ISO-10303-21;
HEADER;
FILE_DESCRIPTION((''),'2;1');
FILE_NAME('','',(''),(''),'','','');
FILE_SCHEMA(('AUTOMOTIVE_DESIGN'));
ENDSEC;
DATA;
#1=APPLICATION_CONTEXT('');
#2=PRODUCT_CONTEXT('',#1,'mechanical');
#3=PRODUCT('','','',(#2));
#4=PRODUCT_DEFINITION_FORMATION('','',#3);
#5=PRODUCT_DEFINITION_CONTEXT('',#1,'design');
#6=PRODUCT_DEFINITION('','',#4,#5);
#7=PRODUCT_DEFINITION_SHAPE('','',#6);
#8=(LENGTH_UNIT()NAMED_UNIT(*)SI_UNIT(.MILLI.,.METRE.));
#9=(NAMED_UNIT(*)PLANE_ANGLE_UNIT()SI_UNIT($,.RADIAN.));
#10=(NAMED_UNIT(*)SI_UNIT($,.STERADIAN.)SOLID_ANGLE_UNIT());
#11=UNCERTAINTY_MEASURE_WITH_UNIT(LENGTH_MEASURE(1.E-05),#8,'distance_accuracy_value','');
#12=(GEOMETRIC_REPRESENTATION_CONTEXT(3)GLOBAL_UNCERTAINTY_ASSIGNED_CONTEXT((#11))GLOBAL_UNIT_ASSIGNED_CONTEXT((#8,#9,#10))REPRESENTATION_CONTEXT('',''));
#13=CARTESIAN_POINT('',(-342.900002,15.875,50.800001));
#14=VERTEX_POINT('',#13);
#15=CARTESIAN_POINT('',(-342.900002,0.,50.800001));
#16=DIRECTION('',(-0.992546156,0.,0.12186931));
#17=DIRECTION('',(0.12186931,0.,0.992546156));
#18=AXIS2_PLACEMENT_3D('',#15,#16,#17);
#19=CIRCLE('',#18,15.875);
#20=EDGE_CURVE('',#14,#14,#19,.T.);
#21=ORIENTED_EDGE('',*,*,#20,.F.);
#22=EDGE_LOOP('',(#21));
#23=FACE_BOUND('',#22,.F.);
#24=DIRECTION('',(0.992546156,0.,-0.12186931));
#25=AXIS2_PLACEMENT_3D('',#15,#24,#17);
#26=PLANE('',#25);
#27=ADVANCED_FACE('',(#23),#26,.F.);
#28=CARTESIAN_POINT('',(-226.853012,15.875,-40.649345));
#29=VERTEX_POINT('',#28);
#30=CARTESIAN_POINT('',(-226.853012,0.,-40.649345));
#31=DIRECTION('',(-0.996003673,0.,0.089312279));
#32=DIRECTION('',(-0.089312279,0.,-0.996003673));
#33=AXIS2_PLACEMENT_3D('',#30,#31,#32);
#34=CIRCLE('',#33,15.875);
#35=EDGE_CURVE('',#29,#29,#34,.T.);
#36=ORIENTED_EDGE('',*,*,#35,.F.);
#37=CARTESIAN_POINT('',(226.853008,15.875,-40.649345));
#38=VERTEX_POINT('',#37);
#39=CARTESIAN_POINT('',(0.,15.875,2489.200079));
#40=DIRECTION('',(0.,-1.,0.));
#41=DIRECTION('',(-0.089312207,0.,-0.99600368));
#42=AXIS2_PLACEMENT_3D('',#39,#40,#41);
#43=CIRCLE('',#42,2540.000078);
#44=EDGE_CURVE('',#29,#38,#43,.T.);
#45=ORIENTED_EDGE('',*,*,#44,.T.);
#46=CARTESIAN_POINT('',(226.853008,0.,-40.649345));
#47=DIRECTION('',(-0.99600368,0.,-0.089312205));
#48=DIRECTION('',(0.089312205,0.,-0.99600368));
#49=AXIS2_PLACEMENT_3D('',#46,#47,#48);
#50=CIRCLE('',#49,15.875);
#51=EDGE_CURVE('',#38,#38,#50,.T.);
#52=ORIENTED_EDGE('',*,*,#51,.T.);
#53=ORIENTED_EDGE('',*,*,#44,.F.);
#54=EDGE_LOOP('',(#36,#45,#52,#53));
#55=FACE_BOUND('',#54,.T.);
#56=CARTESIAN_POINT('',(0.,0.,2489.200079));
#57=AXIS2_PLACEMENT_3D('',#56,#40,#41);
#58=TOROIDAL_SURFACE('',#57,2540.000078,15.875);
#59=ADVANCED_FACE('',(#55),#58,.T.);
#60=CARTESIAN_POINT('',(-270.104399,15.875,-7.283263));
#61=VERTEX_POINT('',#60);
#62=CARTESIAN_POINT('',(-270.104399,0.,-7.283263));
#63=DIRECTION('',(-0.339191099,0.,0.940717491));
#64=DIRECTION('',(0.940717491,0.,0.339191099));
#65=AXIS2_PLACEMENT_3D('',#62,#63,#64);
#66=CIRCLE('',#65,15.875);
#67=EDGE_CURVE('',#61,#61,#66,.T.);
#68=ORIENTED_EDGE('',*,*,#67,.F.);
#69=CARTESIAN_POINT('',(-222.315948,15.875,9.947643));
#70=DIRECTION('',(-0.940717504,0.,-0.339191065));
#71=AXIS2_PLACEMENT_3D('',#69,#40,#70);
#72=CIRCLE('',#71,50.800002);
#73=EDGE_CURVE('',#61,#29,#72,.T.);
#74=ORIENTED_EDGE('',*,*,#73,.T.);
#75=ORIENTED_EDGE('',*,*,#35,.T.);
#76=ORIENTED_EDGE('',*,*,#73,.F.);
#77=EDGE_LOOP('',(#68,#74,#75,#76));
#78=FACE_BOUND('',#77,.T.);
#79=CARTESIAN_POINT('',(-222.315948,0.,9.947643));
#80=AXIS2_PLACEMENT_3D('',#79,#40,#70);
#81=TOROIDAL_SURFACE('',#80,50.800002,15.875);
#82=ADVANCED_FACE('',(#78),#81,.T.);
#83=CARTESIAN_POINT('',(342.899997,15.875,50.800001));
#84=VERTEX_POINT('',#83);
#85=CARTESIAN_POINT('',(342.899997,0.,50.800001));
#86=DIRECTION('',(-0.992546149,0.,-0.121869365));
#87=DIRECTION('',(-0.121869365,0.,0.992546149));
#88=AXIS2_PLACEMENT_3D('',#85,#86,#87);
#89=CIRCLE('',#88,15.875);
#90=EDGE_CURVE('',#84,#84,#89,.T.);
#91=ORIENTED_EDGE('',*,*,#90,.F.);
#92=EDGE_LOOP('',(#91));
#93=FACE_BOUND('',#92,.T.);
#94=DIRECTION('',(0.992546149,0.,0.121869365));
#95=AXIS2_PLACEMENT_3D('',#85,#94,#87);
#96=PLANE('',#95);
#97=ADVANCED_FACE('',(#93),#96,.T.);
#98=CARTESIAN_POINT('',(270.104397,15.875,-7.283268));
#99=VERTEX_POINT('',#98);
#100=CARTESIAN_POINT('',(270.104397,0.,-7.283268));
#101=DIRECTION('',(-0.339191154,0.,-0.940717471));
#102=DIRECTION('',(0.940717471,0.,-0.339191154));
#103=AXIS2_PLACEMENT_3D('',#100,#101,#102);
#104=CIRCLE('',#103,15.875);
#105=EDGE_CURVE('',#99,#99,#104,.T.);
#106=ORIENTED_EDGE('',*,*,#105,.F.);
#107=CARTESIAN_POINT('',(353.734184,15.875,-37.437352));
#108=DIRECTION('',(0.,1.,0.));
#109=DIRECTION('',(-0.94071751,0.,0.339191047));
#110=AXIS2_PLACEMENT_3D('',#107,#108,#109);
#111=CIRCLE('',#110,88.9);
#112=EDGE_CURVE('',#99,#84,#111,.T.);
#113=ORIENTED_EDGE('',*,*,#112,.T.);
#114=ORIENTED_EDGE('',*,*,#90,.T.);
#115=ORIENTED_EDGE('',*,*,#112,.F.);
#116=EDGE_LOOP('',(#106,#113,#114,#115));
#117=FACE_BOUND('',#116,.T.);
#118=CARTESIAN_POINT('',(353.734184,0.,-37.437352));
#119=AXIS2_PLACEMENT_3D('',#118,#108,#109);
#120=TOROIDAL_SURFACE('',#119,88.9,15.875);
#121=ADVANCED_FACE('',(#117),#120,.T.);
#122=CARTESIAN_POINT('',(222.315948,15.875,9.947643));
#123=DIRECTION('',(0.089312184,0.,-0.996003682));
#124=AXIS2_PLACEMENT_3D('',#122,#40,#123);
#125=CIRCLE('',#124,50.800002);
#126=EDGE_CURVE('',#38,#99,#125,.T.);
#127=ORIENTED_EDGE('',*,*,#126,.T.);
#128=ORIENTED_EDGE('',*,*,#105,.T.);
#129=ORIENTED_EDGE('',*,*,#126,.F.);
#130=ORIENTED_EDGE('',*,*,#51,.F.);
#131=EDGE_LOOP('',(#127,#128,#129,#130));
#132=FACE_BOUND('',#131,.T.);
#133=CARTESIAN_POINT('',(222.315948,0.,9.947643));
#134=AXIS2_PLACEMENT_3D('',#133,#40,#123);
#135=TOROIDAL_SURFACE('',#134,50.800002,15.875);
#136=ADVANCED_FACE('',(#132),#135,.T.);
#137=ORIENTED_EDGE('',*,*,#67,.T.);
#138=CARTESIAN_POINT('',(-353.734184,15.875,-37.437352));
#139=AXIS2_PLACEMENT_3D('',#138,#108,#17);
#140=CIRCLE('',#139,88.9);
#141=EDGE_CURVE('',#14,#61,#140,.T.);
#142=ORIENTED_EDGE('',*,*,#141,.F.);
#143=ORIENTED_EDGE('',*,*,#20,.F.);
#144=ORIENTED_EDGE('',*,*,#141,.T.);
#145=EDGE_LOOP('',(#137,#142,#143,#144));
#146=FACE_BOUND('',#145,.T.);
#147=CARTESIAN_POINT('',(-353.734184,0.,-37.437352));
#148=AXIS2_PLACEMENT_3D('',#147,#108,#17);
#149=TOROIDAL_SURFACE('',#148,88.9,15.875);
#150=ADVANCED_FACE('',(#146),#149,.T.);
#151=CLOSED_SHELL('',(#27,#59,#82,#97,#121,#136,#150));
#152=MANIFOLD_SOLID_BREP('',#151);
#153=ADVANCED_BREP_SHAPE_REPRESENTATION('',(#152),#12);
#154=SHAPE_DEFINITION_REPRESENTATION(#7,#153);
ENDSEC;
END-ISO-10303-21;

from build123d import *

# Parameters (mm, degrees)
F2_R = 15.875


with BuildPart() as f3:
    # F3: sweep along a path in F0
    with BuildLine(Plane.XZ) as f3_path:
        ThreePointArc((-342.9, 50.8), (-298.288023, 32.053173), (-270.104399, -7.283266))
        ThreePointArc((-270.104399, -7.283266), (-253.345187, -30.274572), (-226.85301, -40.649346))
        ThreePointArc((-226.85301, -40.649346), (0, -50.8), (226.85301, -40.649346))
        ThreePointArc((226.85301, -40.649346), (253.345187, -30.274572), (270.104399, -7.283266))
        ThreePointArc((270.104399, -7.283266), (298.288023, 32.053173), (342.9, 50.8))
    # F2 (on face) → F3 (sweep)
    with BuildSketch(Plane(origin=(-343.952018, 0, 42.231998), x_dir=(0, 1, 0), z_dir=(0.992546, 0, -0.121869))):
        with Locations((0, 8.632347)):
            Circle(F2_R)
    sweep(path=f3_path.line)


solid = f3.part
